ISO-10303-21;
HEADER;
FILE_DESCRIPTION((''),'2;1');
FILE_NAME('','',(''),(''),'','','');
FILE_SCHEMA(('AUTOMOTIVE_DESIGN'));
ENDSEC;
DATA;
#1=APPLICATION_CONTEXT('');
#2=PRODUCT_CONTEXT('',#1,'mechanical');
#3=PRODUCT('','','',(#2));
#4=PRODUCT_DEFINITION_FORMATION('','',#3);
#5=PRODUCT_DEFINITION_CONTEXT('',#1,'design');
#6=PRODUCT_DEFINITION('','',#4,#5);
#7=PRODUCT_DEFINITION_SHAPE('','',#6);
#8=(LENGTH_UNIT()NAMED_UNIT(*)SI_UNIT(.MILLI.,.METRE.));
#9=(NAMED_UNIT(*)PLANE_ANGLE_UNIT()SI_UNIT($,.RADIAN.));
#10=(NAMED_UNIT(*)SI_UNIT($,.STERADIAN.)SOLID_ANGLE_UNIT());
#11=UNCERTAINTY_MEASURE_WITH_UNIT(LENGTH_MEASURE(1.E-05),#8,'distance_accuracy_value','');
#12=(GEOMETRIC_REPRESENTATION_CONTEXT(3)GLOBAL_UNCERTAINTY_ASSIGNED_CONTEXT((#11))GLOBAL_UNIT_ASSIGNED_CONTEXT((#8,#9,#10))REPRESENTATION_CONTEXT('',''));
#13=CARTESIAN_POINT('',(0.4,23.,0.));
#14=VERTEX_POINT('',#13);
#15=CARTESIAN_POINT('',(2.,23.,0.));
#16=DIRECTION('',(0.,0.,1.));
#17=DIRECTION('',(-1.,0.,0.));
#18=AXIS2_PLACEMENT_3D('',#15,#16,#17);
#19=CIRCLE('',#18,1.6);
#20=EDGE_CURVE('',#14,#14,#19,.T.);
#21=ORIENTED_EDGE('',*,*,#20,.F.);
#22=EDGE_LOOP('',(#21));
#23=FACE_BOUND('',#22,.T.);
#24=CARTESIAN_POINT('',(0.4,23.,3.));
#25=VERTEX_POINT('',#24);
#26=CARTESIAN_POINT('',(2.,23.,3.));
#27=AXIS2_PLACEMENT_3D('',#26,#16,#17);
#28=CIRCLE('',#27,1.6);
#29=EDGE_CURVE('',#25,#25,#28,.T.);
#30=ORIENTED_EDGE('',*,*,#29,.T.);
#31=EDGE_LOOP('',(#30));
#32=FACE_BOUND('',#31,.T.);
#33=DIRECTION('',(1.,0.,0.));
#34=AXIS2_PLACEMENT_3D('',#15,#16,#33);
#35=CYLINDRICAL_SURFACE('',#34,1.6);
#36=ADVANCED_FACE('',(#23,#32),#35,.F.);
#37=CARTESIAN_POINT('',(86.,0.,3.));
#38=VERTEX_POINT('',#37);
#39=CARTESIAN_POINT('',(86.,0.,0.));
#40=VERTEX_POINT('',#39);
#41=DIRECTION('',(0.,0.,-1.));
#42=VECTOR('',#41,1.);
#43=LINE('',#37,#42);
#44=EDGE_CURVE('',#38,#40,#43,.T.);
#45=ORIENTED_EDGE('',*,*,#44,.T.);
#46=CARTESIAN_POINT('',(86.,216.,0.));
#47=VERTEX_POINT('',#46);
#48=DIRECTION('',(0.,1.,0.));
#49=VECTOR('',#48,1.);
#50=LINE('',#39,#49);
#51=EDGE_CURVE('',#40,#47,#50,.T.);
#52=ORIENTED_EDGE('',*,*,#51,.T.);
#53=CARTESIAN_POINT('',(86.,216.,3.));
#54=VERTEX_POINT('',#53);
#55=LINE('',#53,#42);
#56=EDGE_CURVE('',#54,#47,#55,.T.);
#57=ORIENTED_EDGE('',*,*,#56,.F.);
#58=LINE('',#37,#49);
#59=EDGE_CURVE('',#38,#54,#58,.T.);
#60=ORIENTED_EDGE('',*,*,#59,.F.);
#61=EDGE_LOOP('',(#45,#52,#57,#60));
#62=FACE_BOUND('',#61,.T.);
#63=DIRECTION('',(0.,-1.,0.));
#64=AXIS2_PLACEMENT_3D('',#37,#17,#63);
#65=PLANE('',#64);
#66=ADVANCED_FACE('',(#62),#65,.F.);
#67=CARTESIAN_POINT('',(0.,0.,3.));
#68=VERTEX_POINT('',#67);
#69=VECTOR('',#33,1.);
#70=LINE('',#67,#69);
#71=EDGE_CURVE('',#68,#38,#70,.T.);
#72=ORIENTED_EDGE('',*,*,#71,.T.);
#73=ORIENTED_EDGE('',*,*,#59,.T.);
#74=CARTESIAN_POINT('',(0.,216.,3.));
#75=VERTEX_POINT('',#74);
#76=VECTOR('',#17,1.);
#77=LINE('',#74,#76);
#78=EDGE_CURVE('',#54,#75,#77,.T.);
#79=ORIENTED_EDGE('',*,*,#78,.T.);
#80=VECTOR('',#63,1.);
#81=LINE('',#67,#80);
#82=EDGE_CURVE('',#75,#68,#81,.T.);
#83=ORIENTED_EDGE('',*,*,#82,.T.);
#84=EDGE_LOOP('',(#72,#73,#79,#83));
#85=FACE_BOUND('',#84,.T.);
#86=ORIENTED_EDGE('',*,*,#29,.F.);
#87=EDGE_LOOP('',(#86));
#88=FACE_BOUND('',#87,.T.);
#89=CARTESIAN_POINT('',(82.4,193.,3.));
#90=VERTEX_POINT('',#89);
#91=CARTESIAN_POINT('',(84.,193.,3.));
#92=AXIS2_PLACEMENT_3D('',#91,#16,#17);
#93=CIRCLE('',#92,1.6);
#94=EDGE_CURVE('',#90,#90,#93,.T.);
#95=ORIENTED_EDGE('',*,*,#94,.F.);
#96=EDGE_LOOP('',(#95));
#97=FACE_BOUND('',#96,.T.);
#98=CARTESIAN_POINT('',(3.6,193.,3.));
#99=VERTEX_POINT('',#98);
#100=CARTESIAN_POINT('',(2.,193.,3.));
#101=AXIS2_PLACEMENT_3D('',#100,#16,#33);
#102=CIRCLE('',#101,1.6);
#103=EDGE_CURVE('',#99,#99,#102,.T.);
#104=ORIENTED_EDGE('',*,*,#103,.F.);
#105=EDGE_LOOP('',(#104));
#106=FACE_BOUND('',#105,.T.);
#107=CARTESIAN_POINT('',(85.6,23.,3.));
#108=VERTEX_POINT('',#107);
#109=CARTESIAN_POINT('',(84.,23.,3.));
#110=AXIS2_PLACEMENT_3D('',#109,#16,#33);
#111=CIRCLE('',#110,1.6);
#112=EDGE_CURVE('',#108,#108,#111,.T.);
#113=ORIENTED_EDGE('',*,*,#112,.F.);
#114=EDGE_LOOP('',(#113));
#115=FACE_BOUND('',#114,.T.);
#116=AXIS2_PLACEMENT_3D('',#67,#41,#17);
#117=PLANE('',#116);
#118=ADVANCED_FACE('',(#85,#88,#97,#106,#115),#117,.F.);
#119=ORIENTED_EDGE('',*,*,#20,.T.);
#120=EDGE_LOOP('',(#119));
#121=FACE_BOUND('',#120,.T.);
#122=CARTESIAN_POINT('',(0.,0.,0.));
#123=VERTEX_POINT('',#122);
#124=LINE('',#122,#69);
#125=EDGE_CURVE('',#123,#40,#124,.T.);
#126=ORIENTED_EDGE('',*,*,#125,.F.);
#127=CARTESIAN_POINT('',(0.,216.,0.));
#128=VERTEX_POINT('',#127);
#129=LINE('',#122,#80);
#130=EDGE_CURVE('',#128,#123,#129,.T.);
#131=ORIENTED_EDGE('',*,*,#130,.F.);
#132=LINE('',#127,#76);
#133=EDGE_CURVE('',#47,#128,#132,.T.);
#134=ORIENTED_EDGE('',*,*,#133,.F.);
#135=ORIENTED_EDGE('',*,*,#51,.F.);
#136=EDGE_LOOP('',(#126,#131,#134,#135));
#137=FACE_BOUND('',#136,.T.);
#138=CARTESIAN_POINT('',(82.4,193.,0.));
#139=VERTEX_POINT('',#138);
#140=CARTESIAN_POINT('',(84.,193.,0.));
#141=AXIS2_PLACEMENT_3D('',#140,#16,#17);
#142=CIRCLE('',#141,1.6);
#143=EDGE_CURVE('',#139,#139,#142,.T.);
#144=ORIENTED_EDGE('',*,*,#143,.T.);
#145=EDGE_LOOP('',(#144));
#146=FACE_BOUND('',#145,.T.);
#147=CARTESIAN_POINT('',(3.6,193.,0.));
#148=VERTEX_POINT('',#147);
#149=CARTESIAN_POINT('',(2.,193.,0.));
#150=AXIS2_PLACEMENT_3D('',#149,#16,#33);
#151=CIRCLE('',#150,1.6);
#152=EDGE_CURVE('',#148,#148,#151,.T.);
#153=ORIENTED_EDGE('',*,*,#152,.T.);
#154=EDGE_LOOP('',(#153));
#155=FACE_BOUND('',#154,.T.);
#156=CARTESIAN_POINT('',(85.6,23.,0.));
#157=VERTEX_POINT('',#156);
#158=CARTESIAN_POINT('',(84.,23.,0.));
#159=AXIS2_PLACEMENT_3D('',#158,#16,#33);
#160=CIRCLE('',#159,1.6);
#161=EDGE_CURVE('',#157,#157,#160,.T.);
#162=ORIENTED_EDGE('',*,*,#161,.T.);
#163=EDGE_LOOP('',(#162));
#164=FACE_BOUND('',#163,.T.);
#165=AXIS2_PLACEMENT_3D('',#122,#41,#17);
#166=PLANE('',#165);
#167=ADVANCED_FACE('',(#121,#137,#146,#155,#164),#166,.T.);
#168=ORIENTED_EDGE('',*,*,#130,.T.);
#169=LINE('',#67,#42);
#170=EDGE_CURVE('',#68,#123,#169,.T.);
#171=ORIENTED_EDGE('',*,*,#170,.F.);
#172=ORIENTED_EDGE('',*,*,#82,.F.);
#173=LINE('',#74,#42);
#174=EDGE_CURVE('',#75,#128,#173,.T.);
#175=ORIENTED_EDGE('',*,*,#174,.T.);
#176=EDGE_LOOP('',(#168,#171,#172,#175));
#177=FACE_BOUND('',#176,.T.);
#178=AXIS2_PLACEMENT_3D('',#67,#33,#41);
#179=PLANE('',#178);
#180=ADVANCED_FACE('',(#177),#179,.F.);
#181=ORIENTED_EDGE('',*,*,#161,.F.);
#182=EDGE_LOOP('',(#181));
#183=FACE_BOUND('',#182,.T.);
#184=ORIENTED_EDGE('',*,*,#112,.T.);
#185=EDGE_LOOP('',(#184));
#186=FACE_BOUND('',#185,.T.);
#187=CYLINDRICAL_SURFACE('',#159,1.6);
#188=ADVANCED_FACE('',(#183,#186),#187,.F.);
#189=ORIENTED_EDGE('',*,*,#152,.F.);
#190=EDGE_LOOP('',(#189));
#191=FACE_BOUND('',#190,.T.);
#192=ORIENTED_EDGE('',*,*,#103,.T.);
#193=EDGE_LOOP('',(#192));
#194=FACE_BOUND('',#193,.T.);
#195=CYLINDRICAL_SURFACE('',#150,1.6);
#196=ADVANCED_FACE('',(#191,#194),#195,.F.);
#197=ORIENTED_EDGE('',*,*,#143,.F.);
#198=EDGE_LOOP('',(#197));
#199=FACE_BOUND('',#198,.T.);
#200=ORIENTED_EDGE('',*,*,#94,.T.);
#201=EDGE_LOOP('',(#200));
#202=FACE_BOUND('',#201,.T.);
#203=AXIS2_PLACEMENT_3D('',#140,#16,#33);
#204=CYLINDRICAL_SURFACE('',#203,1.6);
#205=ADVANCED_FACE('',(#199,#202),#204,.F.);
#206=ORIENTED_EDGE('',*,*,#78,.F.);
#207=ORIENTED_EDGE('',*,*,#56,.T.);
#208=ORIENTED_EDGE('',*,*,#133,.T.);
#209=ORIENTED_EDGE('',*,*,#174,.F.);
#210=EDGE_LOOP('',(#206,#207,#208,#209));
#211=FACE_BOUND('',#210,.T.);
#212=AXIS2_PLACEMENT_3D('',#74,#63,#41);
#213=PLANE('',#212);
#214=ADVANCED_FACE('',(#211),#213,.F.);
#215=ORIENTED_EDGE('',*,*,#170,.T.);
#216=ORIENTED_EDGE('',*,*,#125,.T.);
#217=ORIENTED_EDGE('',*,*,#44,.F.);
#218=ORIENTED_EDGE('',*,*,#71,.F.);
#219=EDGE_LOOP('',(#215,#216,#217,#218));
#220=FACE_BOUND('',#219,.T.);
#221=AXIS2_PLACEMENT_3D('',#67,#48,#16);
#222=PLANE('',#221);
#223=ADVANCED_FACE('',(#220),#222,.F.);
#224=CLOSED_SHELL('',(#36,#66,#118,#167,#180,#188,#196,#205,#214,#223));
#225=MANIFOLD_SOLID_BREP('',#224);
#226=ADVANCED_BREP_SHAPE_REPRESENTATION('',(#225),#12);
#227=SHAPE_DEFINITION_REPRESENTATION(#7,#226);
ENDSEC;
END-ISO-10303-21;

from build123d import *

# Parameters (mm, degrees)
SKETCH_1_W          = 86
SKETCH_1_H          = 216
EXTRUDE_1_DEPTH     = 3
SKETCH_2_R          = 1.6
CUT_EXTRUDE_1_DEPTH = 3


with BuildPart() as part:
    # 草图1 → 凸台-拉伸1 (new body)
    with BuildSketch(Plane.XY):
        with Locations((43, 108)):
            Rectangle(SKETCH_1_W, SKETCH_1_H)
    extrude(amount=EXTRUDE_1_DEPTH)

    # 草图2 → 切除-拉伸1 (cut)
    with BuildSketch(Plane.XY.offset(3)):
        with Locations((2, 193)):
            Circle(SKETCH_2_R)
        with Locations((2, 23)):
            Circle(SKETCH_2_R)
        with Locations((84, 23)):
            Circle(SKETCH_2_R)
        with Locations((84, 193)):
            Circle(SKETCH_2_R)
    extrude(amount=-CUT_EXTRUDE_1_DEPTH, mode=Mode.SUBTRACT)


solid = part.part
